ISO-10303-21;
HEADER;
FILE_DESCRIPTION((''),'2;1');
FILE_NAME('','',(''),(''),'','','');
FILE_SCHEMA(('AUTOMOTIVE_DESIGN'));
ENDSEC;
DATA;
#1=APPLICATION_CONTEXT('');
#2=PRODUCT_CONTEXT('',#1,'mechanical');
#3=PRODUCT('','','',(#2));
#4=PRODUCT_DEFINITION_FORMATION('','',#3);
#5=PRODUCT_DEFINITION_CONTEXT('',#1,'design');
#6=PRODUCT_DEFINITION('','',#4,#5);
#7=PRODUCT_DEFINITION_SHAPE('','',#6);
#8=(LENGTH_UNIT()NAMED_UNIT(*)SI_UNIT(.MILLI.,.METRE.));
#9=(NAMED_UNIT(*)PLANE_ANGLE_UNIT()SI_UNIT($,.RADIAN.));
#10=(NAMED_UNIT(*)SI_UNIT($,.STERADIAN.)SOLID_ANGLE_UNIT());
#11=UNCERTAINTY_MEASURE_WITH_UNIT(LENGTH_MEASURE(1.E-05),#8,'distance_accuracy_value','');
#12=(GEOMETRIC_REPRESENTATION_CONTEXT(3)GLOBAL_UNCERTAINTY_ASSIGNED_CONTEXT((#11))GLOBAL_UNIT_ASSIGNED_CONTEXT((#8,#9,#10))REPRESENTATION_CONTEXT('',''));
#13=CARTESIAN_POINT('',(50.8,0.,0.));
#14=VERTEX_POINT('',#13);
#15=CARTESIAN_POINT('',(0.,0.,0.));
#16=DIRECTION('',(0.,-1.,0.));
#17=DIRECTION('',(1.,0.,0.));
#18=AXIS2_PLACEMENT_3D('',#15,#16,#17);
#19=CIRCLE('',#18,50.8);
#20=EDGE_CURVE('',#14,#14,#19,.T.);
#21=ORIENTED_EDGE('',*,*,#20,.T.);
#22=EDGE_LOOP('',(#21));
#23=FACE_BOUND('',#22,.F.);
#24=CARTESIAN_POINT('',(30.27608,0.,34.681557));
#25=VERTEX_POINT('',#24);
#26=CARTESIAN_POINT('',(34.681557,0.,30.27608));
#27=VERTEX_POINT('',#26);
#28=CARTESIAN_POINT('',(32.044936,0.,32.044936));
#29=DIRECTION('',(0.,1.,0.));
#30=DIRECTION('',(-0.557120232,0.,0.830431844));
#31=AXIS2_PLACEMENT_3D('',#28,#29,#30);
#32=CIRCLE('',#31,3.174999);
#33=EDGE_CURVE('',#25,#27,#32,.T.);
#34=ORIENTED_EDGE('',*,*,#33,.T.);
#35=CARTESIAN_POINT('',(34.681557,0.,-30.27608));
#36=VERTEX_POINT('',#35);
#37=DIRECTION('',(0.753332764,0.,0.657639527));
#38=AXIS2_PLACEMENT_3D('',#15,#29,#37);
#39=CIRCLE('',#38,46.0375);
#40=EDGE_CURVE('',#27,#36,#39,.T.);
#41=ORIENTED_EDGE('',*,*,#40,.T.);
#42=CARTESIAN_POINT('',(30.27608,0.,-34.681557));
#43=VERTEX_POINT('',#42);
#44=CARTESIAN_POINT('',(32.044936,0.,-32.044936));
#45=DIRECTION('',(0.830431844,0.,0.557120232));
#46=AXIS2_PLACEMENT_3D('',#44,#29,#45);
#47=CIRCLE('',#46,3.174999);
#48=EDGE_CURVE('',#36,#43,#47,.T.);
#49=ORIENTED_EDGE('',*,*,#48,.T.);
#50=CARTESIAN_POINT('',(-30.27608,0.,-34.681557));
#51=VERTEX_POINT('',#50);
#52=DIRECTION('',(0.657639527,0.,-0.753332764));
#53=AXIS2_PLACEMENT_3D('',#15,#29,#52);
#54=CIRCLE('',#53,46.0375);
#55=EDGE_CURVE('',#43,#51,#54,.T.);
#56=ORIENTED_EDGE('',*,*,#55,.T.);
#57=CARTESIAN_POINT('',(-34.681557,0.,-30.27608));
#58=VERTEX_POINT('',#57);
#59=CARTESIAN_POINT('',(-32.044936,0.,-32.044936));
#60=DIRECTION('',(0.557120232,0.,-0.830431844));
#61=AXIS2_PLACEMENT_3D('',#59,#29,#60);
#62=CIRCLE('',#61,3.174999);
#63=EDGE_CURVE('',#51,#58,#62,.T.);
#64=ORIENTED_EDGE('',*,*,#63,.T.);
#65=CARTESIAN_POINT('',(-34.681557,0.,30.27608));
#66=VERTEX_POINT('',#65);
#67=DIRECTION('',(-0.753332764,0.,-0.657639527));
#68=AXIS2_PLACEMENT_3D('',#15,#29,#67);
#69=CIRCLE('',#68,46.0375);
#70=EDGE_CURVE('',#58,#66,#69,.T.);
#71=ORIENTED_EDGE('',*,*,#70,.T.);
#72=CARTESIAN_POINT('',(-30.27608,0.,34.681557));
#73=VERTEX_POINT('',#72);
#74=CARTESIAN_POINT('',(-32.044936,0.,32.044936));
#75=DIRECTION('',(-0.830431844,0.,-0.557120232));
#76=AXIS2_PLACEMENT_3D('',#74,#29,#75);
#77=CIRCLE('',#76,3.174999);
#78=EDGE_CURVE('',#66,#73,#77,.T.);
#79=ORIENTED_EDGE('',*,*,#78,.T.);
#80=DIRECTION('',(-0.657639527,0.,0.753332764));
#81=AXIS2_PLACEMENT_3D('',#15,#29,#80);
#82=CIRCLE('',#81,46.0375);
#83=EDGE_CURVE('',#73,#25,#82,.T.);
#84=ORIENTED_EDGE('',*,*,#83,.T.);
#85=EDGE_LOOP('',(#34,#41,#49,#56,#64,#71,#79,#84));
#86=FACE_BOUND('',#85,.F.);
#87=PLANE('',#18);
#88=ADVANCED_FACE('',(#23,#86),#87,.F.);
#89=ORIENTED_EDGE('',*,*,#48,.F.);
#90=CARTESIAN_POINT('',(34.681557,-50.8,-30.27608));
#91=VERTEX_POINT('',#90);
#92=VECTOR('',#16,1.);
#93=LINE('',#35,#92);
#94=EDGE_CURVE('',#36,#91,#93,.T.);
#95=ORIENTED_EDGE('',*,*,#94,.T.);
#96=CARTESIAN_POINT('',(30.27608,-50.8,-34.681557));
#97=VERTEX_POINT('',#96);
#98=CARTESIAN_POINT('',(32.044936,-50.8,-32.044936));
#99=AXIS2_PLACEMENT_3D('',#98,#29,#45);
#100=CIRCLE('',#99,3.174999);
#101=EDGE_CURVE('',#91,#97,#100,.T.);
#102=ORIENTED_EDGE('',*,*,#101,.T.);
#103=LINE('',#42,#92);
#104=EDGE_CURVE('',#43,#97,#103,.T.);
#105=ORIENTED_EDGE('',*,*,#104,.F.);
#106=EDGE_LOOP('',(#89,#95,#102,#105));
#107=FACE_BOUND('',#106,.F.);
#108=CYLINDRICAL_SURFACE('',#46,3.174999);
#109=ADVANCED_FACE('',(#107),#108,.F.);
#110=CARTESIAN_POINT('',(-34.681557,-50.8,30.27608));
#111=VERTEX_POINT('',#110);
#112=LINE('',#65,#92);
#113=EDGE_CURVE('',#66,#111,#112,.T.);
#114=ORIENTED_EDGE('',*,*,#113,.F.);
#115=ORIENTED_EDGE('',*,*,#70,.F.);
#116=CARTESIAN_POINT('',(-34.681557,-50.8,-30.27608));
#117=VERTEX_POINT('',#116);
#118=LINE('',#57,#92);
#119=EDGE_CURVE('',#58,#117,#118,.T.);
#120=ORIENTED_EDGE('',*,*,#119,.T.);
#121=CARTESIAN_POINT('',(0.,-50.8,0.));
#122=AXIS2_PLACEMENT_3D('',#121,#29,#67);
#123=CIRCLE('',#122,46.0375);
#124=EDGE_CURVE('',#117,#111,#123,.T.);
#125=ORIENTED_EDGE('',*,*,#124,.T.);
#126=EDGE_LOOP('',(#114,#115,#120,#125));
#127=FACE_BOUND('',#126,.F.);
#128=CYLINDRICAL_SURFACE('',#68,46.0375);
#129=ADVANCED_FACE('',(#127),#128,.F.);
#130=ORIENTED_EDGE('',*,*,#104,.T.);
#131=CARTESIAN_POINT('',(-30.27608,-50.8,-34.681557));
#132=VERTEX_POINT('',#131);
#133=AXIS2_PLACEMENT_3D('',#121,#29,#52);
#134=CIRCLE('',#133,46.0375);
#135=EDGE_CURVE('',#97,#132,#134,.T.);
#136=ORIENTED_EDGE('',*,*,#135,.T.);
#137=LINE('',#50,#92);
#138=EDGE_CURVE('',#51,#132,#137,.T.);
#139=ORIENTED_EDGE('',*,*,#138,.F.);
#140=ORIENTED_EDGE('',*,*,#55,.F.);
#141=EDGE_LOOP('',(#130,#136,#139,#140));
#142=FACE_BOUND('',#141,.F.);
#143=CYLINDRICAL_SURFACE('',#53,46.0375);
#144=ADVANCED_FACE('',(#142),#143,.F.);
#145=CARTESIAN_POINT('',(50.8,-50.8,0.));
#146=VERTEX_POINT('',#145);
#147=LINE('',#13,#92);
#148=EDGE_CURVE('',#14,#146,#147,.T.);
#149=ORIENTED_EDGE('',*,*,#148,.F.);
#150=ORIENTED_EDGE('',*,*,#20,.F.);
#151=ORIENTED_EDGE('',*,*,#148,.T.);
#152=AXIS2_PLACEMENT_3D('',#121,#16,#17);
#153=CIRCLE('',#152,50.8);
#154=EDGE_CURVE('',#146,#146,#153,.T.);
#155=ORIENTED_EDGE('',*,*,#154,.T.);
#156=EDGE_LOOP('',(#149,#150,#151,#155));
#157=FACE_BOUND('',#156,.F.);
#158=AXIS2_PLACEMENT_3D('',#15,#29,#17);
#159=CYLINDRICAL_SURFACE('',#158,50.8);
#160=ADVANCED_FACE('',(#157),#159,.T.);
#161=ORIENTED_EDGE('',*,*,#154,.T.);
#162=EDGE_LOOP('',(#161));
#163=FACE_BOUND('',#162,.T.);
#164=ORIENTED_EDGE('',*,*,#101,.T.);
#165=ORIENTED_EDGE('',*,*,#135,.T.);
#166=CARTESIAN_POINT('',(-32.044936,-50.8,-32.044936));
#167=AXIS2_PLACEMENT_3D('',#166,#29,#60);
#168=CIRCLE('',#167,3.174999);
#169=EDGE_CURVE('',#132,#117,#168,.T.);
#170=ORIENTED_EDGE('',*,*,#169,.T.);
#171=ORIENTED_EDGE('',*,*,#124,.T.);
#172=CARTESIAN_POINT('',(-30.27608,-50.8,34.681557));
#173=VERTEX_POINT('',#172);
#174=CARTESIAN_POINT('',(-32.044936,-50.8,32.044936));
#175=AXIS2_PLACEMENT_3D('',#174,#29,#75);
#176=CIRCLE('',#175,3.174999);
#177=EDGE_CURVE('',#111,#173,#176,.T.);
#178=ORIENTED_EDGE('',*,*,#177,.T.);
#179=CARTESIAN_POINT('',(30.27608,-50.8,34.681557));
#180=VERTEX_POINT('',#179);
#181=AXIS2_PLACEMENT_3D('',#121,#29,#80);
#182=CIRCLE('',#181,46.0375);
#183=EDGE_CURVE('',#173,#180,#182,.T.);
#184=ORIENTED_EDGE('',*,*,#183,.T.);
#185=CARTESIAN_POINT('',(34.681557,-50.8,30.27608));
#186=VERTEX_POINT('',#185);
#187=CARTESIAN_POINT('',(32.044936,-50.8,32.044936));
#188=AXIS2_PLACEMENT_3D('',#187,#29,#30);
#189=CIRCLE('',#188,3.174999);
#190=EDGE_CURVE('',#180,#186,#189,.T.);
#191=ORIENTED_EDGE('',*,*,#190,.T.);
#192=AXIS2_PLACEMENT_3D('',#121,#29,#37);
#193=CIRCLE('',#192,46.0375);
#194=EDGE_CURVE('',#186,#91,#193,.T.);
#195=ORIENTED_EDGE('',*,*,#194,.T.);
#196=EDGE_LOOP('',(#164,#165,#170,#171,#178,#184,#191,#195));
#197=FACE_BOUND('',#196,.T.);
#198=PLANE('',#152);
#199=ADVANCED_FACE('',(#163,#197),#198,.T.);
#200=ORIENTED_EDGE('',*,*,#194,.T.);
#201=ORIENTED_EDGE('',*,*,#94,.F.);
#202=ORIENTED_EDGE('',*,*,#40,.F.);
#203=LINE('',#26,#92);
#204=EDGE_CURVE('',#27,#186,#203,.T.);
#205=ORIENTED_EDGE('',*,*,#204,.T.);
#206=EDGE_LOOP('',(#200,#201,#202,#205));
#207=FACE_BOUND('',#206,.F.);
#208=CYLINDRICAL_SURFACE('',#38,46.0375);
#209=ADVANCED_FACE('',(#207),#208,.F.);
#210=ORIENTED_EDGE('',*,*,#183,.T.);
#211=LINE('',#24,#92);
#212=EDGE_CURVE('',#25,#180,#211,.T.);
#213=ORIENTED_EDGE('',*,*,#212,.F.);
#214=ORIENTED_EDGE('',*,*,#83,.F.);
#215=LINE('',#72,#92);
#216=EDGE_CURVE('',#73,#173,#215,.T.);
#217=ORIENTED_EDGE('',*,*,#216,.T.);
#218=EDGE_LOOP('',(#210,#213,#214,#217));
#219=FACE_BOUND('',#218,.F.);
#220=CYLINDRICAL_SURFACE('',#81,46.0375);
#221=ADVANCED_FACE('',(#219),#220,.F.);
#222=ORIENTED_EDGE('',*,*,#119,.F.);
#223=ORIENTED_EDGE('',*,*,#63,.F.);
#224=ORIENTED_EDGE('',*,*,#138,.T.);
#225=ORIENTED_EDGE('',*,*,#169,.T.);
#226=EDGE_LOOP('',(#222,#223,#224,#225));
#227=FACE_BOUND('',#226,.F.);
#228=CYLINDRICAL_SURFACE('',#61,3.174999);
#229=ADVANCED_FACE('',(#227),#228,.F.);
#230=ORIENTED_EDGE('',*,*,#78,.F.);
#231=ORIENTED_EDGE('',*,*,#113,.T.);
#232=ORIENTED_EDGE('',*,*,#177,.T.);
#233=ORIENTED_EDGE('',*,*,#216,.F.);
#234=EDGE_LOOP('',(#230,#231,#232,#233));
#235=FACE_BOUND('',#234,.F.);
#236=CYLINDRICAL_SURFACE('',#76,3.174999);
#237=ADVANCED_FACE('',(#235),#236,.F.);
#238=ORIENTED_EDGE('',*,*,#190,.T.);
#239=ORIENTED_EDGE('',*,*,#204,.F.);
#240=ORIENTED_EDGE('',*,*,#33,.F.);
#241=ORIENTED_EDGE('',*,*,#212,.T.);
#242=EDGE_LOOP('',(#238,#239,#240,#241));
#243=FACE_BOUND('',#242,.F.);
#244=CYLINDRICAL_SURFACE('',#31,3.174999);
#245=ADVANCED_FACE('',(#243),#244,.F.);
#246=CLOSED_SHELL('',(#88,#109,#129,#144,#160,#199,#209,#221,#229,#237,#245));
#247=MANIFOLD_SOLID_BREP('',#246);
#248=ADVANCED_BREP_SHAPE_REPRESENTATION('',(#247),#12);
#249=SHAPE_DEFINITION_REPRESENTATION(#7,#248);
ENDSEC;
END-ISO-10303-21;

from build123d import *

# Parameters (mm, degrees)
F0_R     = 50.8
F1_DEPTH = 50.8


with BuildPart() as f1:
    # F0 (on Front) → F1 (new body)
    with BuildSketch(Plane.XZ):
        Circle(F0_R)
        with BuildLine():
            ThreePointArc((-34.681557, 30.27608), (-34.29, 34.29), (-30.27608, 34.681557))
            ThreePointArc((-30.27608, 34.681557), (0, 46.0375), (30.27608, 34.681557))
            ThreePointArc((30.27608, 34.681557), (34.29, 34.29), (34.681557, 30.27608))
            ThreePointArc((34.681557, 30.27608), (46.0375, 0), (34.681557, -30.27608))
            ThreePointArc((34.681557, -30.27608), (34.29, -34.29), (30.27608, -34.681557))
            ThreePointArc((30.27608, -34.681557), (0, -46.0375), (-30.27608, -34.681557))
            ThreePointArc((-30.27608, -34.681557), (-34.29, -34.29), (-34.681557, -30.27608))
            ThreePointArc((-34.681557, -30.27608), (-46.0375, 0), (-34.681557, 30.27608))
        make_face(mode=Mode.SUBTRACT)
    extrude(amount=F1_DEPTH)


solid = f1.part
